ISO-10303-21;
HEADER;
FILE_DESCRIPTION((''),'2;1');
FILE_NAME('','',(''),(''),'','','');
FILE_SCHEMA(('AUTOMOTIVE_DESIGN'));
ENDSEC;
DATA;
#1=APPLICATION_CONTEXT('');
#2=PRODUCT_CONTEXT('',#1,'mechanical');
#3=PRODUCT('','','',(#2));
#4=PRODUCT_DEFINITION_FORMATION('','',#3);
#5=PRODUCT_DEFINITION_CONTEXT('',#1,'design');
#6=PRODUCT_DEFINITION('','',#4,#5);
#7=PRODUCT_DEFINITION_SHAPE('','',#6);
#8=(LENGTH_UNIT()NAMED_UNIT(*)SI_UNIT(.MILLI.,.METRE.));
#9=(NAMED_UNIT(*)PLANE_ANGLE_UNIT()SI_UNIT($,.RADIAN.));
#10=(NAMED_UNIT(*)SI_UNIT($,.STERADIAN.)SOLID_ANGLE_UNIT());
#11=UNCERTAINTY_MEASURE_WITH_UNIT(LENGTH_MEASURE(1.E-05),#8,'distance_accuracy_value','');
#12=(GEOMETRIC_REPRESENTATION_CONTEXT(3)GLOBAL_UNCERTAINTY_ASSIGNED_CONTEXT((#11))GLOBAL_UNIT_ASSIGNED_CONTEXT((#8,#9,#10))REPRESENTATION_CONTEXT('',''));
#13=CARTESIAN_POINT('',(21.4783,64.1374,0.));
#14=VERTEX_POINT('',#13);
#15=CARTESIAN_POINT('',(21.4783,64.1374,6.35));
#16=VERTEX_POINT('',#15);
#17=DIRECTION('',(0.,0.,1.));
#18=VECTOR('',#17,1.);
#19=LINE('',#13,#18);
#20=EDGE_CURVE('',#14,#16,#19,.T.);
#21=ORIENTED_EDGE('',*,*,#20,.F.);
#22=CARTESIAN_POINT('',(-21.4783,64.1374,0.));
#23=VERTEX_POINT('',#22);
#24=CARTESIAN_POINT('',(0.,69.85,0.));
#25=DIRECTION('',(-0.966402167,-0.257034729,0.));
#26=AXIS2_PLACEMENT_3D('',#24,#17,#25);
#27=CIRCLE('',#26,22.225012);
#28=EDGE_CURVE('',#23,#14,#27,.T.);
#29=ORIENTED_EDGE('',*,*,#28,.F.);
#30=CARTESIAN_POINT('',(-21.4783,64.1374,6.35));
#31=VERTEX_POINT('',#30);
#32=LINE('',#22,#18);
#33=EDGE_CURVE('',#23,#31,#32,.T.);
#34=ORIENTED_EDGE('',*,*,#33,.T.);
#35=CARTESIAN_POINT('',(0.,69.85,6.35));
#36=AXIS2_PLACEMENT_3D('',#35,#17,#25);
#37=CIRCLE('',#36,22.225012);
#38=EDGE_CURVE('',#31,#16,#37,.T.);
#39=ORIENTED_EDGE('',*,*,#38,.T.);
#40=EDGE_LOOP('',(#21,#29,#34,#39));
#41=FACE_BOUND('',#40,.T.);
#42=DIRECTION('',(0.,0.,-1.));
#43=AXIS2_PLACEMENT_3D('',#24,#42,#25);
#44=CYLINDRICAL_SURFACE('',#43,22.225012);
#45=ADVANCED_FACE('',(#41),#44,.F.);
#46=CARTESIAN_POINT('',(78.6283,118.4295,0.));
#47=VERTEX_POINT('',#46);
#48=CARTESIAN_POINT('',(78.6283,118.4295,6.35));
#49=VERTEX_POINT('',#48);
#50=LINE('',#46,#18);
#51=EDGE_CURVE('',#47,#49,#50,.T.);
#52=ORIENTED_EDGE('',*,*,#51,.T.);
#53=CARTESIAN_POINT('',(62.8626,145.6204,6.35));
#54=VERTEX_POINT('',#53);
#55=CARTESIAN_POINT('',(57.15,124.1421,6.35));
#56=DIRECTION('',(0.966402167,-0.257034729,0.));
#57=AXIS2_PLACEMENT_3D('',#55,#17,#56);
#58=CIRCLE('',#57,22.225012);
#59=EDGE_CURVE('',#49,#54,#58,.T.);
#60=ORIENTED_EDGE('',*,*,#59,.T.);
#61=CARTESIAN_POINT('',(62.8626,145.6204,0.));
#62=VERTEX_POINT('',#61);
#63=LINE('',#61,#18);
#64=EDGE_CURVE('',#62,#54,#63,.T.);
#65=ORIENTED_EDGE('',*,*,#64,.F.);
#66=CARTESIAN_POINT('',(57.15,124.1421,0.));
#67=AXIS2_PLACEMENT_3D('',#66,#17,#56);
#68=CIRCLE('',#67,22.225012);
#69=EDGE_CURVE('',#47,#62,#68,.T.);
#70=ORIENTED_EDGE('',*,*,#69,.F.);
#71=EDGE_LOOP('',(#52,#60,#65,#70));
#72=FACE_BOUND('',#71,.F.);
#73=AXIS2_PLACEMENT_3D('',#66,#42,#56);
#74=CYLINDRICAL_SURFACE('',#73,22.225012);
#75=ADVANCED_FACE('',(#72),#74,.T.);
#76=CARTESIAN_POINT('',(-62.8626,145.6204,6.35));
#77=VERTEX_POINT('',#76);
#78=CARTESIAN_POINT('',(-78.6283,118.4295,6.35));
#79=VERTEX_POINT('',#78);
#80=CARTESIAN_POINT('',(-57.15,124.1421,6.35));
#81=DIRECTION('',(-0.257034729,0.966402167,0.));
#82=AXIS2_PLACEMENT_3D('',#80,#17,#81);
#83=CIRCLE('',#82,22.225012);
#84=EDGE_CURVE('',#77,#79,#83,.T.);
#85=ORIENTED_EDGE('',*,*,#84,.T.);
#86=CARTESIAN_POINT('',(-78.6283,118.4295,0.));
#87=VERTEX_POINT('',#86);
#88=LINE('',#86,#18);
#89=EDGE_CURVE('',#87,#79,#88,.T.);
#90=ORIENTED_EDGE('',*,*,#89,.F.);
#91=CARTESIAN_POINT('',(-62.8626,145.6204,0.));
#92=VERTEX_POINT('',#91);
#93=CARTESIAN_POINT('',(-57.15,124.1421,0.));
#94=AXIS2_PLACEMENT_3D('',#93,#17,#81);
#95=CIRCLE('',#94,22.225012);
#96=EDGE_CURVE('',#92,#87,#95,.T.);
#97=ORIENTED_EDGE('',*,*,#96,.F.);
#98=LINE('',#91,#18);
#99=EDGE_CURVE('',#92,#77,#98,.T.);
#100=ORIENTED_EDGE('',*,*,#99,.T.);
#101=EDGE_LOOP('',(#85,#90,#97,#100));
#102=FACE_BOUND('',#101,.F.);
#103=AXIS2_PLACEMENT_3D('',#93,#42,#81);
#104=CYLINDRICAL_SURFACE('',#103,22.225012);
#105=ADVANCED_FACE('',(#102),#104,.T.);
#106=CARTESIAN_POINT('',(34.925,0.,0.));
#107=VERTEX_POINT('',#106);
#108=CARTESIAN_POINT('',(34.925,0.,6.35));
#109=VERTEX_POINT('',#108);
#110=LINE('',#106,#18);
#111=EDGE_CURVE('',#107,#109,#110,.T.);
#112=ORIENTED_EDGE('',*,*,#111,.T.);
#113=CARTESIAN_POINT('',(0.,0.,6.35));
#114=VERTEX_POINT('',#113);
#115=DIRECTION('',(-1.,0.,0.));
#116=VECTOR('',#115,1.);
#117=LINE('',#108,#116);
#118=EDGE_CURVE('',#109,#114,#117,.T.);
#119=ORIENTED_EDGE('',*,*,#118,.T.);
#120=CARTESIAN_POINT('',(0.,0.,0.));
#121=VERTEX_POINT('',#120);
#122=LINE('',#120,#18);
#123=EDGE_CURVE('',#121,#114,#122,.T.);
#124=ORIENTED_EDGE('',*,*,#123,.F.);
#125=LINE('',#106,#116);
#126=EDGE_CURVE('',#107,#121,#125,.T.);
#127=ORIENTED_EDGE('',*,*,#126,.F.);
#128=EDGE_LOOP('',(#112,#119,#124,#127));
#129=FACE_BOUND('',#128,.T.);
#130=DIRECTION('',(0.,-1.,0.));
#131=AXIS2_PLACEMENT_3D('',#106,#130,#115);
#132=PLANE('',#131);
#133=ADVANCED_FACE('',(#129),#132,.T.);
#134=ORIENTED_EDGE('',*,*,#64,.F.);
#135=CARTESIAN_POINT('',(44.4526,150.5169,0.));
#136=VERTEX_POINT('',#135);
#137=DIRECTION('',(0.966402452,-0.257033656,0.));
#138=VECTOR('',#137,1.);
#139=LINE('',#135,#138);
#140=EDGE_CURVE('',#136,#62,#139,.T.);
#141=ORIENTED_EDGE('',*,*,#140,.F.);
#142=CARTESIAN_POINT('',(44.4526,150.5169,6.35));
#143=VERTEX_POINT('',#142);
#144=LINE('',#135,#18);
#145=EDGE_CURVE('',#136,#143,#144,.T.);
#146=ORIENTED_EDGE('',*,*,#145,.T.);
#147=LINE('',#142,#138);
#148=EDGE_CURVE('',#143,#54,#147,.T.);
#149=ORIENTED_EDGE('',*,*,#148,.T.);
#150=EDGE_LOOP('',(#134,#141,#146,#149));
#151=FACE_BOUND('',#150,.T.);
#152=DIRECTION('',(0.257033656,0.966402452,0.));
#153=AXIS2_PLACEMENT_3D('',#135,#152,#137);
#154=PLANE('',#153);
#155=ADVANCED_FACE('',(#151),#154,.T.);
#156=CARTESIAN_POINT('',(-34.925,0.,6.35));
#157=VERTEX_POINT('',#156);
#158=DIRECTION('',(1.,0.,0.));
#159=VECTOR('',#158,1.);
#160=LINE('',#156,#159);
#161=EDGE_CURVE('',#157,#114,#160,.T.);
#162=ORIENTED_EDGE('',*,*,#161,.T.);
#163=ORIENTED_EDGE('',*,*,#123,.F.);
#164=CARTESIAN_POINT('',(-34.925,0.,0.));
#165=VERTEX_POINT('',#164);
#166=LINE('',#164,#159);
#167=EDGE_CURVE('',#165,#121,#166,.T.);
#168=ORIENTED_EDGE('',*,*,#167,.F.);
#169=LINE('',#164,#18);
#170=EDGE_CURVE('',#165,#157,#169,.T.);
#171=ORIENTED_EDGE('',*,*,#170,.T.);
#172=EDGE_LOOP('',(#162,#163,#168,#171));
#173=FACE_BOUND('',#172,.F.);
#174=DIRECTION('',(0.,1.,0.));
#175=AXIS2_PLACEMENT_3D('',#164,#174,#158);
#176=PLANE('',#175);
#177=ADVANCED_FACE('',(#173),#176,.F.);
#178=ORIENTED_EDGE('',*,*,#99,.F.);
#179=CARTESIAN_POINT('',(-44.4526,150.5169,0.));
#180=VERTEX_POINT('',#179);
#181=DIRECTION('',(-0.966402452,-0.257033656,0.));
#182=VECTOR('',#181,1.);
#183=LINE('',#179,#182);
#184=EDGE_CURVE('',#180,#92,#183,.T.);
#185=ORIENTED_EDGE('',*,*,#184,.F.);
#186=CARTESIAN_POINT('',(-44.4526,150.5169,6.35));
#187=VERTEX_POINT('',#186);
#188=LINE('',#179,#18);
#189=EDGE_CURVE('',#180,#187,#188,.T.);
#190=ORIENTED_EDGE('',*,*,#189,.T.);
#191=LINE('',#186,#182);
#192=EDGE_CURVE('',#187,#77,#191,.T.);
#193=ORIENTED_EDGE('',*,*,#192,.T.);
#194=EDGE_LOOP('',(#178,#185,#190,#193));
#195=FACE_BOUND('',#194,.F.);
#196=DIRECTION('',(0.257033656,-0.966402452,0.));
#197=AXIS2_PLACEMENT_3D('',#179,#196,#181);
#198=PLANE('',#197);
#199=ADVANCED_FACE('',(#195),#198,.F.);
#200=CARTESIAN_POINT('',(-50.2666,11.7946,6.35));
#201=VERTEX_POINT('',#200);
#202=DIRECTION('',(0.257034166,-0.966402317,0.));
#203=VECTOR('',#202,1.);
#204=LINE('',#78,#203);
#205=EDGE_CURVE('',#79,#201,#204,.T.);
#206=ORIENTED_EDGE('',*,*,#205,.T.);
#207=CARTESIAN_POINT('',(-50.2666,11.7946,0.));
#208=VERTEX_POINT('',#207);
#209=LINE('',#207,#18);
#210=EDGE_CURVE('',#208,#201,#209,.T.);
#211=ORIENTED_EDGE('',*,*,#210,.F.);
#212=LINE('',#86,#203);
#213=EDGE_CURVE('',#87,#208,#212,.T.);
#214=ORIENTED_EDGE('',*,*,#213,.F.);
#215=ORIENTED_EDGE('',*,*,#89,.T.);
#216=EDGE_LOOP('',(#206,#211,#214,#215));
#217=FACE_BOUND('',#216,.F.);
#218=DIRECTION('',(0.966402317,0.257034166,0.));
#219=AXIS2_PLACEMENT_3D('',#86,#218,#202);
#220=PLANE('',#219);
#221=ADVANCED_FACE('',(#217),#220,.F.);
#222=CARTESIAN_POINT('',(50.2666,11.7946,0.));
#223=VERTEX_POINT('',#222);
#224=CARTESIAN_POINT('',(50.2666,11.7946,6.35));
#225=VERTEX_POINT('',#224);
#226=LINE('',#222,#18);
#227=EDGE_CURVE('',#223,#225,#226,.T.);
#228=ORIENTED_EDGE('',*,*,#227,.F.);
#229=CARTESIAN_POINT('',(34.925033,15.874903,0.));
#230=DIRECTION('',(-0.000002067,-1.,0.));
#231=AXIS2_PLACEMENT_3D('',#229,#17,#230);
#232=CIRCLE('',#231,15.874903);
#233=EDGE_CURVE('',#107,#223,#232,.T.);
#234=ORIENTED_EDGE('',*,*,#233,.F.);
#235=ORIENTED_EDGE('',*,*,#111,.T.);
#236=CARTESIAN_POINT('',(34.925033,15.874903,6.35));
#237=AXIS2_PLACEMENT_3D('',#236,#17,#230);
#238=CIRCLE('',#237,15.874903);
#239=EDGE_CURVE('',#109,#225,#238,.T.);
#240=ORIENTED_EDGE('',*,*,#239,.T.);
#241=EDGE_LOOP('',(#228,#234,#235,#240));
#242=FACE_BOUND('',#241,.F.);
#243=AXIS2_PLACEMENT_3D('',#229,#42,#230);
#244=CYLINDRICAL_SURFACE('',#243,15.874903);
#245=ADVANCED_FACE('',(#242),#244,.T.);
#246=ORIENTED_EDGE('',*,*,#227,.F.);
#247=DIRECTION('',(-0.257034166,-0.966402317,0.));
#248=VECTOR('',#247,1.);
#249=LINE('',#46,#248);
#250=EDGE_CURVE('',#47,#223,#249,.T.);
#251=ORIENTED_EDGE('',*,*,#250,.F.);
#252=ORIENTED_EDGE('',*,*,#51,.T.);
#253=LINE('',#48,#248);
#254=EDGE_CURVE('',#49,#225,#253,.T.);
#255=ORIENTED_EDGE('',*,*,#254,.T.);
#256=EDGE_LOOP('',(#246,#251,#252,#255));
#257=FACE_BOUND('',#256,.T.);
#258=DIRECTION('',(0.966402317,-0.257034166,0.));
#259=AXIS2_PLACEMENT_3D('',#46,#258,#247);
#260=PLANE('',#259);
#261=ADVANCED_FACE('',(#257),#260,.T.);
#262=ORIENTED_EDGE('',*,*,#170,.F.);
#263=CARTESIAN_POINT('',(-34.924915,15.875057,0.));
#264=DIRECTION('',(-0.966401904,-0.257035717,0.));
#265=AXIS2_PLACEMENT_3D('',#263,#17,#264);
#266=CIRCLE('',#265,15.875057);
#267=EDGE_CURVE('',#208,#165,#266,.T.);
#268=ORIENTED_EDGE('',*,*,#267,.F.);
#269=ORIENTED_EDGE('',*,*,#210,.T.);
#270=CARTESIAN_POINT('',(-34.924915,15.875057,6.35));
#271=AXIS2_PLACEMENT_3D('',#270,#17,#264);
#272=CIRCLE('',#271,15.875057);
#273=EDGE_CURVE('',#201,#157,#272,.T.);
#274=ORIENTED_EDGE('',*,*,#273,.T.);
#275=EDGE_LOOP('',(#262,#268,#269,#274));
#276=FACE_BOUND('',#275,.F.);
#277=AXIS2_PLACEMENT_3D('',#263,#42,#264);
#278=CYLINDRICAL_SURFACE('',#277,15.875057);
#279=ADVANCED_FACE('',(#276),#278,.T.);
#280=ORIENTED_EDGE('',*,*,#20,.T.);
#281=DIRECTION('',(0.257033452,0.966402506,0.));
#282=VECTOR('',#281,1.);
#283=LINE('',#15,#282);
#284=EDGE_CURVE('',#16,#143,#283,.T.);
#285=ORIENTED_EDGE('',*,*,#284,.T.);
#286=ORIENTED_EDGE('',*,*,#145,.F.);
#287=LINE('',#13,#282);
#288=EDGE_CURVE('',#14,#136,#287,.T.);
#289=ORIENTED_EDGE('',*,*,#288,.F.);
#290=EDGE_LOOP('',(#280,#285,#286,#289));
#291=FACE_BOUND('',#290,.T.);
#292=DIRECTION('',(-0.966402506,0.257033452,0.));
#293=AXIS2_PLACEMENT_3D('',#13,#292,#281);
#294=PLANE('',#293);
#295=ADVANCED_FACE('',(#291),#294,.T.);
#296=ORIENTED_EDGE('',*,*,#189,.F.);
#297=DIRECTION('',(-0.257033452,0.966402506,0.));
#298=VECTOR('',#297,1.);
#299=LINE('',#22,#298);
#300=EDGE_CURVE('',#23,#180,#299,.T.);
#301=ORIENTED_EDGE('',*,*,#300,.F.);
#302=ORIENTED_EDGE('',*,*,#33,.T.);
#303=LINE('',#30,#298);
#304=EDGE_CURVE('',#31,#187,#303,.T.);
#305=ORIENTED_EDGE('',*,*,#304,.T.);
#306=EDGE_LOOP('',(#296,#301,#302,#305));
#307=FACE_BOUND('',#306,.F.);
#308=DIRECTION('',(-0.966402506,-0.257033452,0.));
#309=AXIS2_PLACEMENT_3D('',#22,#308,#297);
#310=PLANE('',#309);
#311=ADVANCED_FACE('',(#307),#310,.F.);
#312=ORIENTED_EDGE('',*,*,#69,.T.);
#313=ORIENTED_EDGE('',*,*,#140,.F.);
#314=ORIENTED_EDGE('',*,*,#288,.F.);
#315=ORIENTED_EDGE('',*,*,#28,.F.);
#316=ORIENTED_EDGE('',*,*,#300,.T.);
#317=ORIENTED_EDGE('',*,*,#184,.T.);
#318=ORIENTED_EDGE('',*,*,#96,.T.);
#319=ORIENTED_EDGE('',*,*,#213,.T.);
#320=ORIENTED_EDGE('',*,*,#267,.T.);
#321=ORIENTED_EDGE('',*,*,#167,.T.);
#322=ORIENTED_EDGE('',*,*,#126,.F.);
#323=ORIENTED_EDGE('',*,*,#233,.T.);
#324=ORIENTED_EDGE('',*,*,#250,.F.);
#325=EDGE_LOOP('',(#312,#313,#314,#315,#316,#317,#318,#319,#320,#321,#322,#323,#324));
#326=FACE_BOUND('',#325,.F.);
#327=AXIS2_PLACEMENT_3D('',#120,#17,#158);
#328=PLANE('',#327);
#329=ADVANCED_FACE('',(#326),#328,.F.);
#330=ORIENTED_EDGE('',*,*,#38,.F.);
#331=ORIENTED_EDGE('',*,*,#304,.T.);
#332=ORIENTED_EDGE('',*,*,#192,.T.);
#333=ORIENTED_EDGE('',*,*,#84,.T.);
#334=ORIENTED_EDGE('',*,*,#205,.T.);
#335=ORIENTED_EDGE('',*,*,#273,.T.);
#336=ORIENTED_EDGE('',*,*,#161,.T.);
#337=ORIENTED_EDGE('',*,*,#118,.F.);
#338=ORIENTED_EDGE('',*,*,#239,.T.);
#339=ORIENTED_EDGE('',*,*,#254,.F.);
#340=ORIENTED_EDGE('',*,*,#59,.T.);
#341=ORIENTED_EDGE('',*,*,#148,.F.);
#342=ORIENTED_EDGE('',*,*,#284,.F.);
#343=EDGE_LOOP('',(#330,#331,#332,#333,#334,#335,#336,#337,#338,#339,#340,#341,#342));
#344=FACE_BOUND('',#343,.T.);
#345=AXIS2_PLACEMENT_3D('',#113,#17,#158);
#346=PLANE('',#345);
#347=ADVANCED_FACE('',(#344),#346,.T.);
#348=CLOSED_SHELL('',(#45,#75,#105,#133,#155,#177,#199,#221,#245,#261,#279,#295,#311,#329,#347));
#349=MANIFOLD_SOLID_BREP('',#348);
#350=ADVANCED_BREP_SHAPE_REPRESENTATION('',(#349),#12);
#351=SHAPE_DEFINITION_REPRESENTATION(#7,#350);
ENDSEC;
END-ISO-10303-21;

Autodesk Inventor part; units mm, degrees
ref_plane "YZ Plane" through (0, 0, 0) normal (1, 0, 0) x (0, 1, 0)
ref_plane "XZ Plane" through (0, 0, 0) normal (0, 1, 0) x (-1, 0, 0)
ref_plane "XY Plane" through (0, 0, 0) normal (0, 0, 1) x (1, 0, 0)
sketch "Sketch1" plane through (0, 0, 0) normal (0, 0, 1) x (1, 0, 0)
  line L0 (0, 0) -> (0, 199.3889) construction
  line L1 (-21.4783, 64.1374) -> (-44.4526, 150.5169)
  line L2 (-44.4526, 150.5169) -> (-62.8626, 145.6204)
  line L3 (-78.6283, 118.4295) -> (-50.2666, 11.7946)
  line L4 (-34.925, 0) -> (0, 0)
  line L5 (21.4783, 64.1374) -> (44.4526, 150.5169)
  line L6 (44.4526, 150.5169) -> (62.8626, 145.6204)
  line L7 (78.6283, 118.4295) -> (50.2666, 11.7946)
  line L8 (34.925, 0) -> (0, 0)
  arc A0 (-21.4783, 64.1374) -> (21.4783, 64.1374) centre (0, 69.85) ccw
  arc A1 (-62.8626, 145.6204) -> (-78.6283, 118.4295) centre (-57.15, 124.1421) ccw
  arc A2 (78.6283, 118.4295) -> (62.8626, 145.6204) centre (57.15, 124.1421) ccw
  arc A3 (-50.2666, 11.7946) -> (-34.925, 0) centre (-34.925, 15.875) ccw
  arc A4 (34.925, 0) -> (50.2666, 11.7946) centre (34.925, 15.875) ccw
  point P0 (-84.3409, 139.9078)
  point P1 (-47.1296, 0)
  point P2 (84.3409, 139.9078)
  point P3 (47.1296, 0)
  dimension "d0" = 69.85
  dimension "d1" = 22.225
  dimension "d2" = 15.875
  dimension "d3" = 34.925
  dimension "d4" = 41.275
  dimension "d5" = 57.15
  dimension "d6" = 22.225
extrude "Extrusion1" add sketch "Sketch1" along normal blind 6.35
properties part number "V-slidePlate"
